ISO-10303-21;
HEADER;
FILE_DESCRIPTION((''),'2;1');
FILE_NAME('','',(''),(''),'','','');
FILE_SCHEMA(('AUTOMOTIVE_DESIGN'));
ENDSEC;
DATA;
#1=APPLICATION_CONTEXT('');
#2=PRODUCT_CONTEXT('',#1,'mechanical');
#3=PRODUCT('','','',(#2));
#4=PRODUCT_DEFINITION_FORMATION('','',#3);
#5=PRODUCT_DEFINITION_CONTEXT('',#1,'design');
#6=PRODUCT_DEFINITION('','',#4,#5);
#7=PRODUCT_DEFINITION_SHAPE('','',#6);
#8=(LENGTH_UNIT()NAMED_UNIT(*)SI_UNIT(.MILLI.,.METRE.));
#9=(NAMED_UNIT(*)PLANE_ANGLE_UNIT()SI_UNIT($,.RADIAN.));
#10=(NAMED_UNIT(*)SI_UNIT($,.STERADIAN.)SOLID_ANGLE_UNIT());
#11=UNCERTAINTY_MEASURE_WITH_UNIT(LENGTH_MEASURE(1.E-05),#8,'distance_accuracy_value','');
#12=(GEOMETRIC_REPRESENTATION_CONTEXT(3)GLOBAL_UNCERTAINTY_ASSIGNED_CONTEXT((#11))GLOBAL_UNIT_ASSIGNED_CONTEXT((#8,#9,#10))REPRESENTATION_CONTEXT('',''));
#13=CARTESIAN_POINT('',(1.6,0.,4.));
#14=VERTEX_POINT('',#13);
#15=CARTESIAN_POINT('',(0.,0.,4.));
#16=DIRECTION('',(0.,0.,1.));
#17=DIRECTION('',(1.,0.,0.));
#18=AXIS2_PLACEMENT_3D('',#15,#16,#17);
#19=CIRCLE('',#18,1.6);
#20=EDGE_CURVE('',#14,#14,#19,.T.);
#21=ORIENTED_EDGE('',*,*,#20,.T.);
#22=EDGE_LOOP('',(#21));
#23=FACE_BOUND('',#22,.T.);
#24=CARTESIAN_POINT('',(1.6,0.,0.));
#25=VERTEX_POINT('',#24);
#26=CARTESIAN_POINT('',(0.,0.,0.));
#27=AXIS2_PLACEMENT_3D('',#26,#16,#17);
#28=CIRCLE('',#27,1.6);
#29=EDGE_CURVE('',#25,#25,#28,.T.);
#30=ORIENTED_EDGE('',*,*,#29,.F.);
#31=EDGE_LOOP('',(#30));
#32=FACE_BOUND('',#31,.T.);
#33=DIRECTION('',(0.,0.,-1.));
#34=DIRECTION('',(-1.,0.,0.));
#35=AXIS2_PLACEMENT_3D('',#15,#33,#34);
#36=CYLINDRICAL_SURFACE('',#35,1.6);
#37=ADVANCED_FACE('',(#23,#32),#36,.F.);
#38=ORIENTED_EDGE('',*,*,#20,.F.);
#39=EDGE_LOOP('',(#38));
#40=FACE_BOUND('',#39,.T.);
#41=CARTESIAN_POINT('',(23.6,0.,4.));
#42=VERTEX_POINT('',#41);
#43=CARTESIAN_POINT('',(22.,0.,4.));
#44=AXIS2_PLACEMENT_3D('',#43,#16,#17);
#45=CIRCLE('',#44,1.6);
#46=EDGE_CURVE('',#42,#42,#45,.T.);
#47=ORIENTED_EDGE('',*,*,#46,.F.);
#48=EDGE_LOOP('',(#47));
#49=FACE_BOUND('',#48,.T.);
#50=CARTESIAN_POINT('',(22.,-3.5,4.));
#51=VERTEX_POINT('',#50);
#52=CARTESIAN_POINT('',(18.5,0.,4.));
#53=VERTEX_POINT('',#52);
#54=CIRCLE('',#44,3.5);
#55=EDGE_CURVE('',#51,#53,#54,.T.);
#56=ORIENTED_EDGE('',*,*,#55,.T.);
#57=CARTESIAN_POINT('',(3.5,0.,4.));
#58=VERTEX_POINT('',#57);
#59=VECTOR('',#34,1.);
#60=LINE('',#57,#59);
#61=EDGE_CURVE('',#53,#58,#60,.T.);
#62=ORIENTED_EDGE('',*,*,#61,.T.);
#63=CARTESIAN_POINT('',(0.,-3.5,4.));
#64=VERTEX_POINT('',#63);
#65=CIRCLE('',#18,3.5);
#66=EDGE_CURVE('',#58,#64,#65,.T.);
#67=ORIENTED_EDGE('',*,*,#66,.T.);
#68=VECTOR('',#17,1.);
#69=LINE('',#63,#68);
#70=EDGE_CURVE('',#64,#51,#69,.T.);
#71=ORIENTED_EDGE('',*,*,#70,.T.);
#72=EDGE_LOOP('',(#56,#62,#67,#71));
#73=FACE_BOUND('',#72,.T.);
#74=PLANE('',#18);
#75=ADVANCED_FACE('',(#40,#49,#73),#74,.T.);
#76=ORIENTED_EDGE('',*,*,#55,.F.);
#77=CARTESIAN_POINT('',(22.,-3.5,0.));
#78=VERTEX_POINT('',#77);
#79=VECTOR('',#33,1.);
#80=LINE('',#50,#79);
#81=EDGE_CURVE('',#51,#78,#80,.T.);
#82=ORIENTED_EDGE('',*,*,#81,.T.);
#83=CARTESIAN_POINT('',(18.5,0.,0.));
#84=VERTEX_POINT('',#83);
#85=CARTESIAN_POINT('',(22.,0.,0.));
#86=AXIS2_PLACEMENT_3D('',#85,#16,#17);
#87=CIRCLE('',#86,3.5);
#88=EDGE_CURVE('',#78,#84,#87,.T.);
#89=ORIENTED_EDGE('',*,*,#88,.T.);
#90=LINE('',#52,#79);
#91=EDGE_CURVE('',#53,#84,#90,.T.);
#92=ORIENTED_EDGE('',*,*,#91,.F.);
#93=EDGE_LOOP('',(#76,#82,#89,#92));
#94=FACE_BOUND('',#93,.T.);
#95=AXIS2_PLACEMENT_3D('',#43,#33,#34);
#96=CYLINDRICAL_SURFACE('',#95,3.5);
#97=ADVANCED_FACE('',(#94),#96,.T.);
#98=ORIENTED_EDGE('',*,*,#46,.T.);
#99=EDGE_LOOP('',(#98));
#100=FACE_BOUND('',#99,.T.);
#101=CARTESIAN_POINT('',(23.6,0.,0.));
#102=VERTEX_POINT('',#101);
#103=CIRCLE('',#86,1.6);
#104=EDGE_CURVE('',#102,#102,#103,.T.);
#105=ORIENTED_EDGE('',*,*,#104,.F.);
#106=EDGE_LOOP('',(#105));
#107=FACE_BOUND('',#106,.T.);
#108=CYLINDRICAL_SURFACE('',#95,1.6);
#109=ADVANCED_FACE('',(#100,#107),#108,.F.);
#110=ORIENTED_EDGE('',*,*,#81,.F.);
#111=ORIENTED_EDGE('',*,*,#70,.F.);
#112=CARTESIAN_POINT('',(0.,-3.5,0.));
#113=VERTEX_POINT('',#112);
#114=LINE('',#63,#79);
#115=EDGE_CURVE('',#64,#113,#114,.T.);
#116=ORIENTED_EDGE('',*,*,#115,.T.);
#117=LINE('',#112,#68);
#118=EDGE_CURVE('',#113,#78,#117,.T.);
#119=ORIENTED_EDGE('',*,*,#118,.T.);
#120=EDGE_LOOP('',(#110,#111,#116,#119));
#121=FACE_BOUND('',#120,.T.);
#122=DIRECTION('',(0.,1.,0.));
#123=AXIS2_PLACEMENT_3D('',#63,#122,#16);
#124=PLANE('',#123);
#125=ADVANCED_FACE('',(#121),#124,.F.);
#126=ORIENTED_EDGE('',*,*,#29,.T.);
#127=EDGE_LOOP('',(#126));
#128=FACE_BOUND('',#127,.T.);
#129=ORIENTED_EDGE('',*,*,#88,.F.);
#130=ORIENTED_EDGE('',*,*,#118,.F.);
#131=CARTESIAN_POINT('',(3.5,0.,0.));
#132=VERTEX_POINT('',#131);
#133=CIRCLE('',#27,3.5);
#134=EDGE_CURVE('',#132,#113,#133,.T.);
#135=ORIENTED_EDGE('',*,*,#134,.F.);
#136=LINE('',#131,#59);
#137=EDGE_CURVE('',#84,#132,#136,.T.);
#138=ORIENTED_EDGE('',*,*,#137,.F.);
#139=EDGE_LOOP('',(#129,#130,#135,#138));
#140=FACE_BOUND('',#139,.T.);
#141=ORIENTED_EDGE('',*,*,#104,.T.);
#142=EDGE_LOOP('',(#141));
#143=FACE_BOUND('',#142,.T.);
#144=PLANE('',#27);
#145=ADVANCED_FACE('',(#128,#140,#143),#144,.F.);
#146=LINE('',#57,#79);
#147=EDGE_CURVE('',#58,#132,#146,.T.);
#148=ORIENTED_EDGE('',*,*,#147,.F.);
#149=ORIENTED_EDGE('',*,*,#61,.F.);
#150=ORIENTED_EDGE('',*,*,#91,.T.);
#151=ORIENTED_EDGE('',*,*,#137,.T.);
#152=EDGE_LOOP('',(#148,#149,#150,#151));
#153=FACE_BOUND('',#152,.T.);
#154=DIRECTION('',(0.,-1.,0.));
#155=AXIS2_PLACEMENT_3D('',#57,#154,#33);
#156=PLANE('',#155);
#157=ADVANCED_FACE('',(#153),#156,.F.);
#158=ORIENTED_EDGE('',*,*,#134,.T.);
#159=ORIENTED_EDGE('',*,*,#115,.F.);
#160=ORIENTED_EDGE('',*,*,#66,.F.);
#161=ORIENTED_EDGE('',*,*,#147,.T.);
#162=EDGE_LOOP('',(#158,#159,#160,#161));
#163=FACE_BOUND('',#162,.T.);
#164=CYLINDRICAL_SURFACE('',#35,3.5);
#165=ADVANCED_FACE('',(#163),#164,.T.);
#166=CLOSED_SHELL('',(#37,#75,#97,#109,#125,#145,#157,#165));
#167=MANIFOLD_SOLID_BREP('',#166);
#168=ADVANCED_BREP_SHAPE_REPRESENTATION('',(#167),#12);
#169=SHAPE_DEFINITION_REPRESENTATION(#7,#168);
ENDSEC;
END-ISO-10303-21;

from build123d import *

# Parameters (mm, degrees)
SKETCH_1_R      = 1.6
EXTRUDE_1_DEPTH = 4


with BuildPart() as part:
    # ｽｹｯﾁ1 → ﾎﾞｽ - 押し出し1 (new body)
    with BuildSketch(Plane.XY):
        with BuildLine():
            Line((0, -3.5), (22, -3.5))
            ThreePointArc((22, -3.5), (24.474873734, 2.474873734), (18.5, 0))
            Line((18.5, 0), (3.5, 0))
            ThreePointArc((3.5, 0), (-2.474873734, 2.474873734), (0, -3.5))
        make_face()
        Circle(SKETCH_1_R, mode=Mode.SUBTRACT)
        with Locations((22, 0)):
            Circle(SKETCH_1_R, mode=Mode.SUBTRACT)
    extrude(amount=EXTRUDE_1_DEPTH)


solid = part.part
